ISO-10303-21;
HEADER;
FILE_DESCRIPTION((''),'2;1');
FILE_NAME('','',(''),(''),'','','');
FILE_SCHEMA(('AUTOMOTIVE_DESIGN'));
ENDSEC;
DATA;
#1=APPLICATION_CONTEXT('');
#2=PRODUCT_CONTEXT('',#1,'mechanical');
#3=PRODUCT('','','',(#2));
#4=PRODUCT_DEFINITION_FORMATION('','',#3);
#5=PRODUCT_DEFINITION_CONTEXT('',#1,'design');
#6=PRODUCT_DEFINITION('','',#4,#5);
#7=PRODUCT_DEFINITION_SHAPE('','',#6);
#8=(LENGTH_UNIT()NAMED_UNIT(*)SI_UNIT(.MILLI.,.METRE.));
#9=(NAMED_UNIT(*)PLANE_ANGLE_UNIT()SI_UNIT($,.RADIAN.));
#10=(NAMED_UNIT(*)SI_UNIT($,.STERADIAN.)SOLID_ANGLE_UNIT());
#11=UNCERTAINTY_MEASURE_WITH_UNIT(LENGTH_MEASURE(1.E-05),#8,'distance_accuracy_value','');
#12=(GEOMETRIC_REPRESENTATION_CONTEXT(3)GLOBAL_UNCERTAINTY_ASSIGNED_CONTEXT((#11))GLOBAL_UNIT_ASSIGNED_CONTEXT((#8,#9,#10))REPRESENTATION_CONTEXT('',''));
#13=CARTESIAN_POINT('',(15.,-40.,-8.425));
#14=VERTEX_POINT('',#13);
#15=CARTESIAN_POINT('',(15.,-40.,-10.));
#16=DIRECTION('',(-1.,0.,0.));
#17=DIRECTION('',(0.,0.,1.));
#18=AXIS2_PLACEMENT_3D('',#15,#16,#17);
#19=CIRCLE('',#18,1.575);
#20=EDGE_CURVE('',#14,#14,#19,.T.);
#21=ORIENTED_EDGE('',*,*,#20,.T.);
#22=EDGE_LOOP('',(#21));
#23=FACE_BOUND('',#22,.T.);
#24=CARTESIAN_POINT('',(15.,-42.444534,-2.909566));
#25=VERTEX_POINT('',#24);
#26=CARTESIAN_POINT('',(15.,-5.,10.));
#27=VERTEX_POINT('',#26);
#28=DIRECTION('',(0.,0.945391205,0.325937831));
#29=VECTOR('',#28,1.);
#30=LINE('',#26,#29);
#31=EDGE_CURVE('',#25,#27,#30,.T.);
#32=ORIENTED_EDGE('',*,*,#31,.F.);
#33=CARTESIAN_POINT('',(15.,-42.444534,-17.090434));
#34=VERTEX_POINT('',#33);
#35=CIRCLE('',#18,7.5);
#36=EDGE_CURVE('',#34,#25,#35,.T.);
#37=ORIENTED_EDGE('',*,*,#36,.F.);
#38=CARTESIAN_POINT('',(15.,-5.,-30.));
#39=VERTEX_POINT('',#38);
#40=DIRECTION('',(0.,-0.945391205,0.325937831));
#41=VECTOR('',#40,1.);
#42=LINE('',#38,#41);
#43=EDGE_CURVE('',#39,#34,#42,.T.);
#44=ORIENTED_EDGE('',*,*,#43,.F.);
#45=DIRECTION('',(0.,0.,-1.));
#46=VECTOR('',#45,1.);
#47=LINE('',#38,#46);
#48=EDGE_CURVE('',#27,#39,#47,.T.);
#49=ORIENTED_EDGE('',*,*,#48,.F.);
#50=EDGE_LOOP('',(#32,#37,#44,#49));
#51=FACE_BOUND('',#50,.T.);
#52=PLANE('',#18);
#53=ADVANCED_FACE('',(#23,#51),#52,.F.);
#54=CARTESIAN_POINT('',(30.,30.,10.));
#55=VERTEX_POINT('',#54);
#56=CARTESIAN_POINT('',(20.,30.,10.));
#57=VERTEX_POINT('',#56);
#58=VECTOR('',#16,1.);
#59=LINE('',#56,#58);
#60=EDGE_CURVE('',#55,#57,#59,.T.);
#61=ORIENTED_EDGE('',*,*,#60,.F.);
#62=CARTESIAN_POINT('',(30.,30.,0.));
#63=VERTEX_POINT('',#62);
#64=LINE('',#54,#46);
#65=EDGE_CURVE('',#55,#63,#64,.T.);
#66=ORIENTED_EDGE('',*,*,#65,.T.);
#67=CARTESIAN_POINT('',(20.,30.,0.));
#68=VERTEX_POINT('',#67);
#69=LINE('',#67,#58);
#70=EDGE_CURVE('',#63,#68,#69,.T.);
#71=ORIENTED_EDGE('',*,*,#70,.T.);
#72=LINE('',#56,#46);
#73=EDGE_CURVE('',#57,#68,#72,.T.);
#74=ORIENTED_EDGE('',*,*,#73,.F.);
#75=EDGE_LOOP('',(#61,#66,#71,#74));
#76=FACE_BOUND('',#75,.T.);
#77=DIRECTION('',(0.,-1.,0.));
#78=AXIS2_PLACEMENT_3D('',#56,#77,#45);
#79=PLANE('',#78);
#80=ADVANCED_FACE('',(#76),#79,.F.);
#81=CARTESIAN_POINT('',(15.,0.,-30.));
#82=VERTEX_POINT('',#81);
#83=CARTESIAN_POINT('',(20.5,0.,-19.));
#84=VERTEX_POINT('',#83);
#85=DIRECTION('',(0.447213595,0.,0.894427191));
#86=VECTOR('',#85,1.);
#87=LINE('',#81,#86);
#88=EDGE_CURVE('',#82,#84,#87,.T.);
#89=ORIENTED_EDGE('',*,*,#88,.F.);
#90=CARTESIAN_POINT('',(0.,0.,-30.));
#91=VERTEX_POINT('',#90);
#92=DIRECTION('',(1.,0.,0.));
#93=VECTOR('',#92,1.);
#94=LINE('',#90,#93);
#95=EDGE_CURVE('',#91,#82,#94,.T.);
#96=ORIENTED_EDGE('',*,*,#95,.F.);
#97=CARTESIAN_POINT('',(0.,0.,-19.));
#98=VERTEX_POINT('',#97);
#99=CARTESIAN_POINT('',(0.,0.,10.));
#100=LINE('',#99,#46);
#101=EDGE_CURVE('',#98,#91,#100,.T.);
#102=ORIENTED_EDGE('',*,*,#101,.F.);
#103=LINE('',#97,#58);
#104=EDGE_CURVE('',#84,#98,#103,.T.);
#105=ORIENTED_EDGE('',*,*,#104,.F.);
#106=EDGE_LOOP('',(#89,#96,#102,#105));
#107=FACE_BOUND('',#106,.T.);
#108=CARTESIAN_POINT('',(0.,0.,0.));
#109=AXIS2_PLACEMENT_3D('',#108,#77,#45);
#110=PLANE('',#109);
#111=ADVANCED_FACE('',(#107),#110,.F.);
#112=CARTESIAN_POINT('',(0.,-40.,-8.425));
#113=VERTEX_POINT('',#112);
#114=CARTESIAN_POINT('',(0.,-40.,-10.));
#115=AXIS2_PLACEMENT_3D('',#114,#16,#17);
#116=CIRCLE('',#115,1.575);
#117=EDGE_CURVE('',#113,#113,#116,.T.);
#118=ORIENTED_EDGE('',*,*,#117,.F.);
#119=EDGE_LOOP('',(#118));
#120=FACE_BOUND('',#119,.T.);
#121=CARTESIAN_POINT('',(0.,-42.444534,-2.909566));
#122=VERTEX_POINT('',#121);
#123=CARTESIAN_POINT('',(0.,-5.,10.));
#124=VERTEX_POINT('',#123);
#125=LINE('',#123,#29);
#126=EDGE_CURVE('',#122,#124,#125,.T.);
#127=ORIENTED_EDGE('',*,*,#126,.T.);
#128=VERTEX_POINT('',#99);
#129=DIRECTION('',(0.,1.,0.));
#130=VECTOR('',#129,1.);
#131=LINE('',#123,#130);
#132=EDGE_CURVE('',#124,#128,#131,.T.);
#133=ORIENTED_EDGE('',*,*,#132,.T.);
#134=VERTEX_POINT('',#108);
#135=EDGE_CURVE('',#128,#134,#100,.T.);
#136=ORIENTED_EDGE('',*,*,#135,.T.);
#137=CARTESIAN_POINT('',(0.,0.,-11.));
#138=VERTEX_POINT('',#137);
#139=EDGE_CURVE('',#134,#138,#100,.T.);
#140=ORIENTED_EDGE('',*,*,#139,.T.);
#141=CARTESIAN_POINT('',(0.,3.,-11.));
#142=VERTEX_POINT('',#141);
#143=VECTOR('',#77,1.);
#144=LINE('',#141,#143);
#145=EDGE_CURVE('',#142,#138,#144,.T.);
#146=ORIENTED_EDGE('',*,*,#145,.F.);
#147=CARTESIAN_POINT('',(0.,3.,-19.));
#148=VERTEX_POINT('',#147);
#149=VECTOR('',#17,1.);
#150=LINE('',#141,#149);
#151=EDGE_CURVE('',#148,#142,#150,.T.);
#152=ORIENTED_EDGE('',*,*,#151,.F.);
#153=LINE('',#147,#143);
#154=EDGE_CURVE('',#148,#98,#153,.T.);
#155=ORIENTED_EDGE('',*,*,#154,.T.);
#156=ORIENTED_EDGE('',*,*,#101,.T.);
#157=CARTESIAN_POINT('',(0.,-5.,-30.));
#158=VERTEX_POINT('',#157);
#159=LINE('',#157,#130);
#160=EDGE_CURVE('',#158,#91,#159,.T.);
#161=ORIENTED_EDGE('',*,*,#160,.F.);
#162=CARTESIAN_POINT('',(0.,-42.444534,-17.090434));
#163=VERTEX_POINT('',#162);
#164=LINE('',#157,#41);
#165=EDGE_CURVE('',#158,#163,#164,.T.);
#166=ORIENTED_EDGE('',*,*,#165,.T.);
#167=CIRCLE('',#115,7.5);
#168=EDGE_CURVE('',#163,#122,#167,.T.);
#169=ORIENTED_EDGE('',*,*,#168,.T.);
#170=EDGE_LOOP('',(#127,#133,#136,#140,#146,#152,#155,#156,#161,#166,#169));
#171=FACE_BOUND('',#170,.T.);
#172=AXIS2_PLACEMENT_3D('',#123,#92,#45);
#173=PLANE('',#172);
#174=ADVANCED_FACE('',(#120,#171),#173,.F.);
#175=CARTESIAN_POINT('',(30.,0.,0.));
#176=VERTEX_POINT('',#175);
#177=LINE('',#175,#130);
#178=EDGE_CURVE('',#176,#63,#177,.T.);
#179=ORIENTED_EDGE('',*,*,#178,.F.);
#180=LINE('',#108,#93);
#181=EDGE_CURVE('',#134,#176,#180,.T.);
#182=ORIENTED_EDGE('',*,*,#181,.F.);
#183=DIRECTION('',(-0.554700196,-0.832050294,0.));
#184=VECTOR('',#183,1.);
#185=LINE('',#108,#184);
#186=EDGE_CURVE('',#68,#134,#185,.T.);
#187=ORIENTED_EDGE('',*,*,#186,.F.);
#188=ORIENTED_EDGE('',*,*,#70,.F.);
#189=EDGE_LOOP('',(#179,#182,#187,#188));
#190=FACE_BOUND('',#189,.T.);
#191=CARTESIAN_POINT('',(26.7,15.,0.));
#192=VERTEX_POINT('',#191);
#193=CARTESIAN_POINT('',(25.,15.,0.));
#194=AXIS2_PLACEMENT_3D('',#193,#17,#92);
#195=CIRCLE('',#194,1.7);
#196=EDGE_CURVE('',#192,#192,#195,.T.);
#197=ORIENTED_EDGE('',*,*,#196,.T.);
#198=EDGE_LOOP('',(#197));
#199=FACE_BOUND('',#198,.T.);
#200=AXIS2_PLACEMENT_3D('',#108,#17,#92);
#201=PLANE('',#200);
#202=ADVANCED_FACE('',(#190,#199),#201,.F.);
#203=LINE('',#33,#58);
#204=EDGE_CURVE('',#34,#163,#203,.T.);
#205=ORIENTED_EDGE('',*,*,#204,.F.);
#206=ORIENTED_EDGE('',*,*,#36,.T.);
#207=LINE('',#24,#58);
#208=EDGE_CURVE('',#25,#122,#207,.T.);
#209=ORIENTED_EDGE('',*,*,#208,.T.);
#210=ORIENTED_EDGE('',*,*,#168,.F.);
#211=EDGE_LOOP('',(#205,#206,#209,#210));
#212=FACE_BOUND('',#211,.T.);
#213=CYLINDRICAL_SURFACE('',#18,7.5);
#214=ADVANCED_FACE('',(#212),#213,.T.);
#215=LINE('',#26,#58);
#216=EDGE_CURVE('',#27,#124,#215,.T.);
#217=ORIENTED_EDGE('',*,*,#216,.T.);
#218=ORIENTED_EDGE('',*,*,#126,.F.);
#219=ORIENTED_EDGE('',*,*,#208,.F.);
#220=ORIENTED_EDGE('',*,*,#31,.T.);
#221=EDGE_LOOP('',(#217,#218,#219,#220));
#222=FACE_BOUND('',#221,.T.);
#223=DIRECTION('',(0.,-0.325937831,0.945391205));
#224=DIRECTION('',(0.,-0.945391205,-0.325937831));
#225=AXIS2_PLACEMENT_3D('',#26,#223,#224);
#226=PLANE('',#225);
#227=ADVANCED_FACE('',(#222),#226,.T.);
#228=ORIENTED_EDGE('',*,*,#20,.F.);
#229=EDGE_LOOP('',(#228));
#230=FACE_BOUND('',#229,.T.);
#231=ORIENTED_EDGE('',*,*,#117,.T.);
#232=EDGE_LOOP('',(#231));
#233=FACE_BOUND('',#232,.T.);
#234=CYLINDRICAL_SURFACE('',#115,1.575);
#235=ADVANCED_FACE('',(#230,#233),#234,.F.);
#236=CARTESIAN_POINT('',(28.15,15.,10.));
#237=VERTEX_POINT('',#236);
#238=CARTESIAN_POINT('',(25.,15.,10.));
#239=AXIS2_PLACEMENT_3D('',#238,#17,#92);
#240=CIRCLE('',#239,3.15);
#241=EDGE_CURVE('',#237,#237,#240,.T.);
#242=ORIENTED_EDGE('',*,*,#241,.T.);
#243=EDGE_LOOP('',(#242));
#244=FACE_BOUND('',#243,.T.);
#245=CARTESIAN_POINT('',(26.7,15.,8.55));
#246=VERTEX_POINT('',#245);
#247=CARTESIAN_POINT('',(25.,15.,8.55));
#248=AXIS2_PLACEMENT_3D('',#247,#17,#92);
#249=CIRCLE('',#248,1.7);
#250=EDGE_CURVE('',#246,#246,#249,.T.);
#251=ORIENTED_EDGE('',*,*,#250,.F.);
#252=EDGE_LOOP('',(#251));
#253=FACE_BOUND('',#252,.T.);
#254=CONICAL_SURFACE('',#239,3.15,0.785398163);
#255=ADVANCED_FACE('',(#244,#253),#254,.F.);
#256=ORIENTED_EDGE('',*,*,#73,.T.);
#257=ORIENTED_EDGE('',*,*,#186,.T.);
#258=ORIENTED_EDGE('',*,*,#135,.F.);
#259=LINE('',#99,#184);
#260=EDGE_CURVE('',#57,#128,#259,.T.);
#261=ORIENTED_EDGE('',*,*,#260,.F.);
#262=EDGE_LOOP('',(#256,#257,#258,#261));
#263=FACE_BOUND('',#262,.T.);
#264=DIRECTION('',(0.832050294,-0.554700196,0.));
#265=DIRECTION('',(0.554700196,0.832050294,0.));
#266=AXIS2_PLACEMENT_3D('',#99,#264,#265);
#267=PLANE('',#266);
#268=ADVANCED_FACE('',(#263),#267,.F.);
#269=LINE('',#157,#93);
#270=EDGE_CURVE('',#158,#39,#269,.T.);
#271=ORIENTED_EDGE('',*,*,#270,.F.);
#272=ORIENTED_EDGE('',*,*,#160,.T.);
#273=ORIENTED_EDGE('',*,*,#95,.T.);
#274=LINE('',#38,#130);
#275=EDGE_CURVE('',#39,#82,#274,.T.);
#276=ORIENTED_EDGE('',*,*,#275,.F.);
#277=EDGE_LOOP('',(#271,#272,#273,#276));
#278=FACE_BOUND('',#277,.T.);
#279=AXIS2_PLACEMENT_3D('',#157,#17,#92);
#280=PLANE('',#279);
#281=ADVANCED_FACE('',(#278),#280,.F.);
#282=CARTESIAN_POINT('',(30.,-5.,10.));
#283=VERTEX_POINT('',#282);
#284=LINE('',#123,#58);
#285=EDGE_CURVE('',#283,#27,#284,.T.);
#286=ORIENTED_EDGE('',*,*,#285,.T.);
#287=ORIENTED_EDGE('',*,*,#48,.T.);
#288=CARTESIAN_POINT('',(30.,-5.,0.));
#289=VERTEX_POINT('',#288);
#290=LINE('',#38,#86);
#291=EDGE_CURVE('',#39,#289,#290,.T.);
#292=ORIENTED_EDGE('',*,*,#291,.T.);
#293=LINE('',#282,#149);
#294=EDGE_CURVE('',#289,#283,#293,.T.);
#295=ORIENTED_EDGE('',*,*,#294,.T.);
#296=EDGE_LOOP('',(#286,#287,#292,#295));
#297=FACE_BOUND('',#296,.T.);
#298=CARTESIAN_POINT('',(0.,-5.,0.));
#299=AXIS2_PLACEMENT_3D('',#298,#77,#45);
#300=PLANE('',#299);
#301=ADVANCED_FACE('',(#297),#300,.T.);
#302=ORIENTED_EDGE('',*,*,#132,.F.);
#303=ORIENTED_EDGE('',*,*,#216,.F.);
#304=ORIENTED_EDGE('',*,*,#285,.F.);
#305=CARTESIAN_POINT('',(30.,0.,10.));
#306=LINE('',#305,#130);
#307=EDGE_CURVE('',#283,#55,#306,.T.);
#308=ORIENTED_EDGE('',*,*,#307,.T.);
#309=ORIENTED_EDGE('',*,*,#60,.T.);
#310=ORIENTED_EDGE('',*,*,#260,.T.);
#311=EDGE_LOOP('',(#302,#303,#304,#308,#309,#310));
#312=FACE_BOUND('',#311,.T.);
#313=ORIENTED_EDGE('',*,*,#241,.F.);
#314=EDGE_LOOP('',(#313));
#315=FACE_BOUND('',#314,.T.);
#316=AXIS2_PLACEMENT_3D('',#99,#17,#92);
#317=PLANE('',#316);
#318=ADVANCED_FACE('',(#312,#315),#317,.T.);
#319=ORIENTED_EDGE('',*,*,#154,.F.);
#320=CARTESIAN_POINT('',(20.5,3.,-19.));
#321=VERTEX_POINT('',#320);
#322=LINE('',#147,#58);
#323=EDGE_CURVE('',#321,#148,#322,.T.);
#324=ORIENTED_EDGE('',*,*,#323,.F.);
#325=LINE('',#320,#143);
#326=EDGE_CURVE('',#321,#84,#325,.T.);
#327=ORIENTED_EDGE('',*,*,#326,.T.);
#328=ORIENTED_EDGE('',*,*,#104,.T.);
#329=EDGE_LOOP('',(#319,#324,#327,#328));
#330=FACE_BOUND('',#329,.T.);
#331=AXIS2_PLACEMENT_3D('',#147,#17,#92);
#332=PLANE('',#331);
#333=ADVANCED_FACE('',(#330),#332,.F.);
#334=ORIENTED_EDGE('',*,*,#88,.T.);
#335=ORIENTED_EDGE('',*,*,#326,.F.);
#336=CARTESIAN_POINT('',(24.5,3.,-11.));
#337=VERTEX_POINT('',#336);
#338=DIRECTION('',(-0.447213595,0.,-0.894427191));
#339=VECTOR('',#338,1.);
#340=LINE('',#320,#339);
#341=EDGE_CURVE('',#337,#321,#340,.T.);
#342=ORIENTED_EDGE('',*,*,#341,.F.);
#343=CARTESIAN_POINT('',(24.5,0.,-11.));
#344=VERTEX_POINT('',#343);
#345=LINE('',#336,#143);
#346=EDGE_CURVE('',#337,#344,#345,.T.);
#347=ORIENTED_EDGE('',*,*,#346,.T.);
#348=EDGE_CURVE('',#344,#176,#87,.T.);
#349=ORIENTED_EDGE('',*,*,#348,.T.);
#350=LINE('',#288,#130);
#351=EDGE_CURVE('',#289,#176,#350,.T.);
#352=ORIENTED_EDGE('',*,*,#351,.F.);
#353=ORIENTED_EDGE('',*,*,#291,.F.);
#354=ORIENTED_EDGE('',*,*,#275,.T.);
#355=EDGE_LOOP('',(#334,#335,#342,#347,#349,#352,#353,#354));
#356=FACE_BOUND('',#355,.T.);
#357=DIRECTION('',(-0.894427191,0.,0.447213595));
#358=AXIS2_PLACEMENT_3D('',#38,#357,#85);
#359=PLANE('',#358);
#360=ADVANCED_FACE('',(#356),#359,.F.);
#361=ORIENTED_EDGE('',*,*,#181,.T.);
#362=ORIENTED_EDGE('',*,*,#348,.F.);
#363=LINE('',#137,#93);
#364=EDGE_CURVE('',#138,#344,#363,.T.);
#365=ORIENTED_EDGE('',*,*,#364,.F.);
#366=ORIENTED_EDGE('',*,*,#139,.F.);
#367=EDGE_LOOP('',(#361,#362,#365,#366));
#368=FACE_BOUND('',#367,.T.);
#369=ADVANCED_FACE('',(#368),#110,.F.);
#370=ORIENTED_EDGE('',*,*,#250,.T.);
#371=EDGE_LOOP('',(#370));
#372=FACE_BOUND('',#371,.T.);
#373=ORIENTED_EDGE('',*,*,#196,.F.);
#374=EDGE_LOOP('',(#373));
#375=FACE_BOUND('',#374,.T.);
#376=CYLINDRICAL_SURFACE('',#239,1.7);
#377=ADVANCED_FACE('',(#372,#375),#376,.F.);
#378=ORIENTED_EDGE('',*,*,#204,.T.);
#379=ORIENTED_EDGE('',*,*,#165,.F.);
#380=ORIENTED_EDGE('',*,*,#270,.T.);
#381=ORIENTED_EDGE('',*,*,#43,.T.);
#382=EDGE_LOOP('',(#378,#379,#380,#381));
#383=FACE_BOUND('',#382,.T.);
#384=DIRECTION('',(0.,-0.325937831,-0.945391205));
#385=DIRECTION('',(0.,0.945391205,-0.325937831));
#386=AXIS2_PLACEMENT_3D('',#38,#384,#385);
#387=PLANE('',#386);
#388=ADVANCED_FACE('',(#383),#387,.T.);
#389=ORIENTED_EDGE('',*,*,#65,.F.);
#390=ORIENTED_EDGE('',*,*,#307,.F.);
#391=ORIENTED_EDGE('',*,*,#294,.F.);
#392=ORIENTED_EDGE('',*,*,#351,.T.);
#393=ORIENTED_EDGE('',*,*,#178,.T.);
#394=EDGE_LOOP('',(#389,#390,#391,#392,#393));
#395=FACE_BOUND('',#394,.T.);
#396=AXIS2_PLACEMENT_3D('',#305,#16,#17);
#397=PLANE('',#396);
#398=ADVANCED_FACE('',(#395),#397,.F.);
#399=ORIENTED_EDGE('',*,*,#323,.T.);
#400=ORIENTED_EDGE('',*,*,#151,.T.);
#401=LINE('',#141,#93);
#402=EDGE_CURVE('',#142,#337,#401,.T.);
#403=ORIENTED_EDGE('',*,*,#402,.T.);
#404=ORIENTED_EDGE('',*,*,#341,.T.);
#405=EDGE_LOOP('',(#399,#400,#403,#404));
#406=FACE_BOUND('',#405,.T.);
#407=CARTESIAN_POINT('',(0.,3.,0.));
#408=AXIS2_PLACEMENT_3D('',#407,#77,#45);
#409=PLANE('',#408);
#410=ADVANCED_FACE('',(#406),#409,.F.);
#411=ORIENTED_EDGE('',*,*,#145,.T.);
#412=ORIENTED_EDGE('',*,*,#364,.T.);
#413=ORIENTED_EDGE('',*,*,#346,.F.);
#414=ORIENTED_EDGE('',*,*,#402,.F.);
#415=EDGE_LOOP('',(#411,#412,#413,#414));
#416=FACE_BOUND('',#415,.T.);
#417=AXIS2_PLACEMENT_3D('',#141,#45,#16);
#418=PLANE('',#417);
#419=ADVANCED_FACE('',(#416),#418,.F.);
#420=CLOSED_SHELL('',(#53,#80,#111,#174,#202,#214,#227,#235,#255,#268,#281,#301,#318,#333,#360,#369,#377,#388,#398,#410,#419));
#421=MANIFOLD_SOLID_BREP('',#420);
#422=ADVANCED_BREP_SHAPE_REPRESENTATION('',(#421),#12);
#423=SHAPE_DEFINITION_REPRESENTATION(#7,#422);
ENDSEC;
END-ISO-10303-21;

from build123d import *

# Parameters (mm, degrees)
EXTRUDE_1_DEPTH              = 10
EXTRUDE_2_DEPTH              = 5
EXTRUDE_3_DEPTH              = 15
EXTRUDE_4_DEPTH              = 3
HOLE_WIZARD_M3_1_D           = 3.4
HOLE_WIZARD_M3_1_CSINK_D     = 6.3
HOLE_WIZARD_M3_1_CSINK_ANGLE = 90
HOLE_WIZARD_M3_1_2_D         = 3.15


with BuildPart() as part:
    # 草图1 → 凸台-拉伸1 (new body)
    with BuildSketch(Plane.XY):
        Polygon((0, 0), (20, 30), (30, 30), (30, 0), align=None)
    extrude(amount=EXTRUDE_1_DEPTH)

    # 草图2 → 凸台-拉伸2 (add)
    with BuildSketch(Plane.XZ):
        Polygon((0, 10), (30, 10), (30, 0), (15, -30), (0, -30), align=None)
    extrude(amount=EXTRUDE_2_DEPTH)

    # 草图3 → 凸台-拉伸3 (add)
    with BuildSketch(Plane.ZY):
        with BuildLine():
            Line((-30, -5), (-17.090434036, -42.444533735))
            ThreePointArc((-17.090434036, -42.444533735), (-10, -47.5), (-2.909565964, -42.444533735))
            Line((-2.909565964, -42.444533735), (10, -5))
            Line((10, -5), (-30, -5))
        make_face()
    extrude(amount=-EXTRUDE_3_DEPTH)

    # 草图4 → 凸台-拉伸4 (add)
    with BuildSketch(Plane(origin=(0, 0, 0), x_dir=(1, 0, 0), z_dir=(0, 1, 0))):
        Polygon((0, 11), (24.5, 11), (20.5, 19), (0, 19), align=None)
    extrude(amount=EXTRUDE_4_DEPTH)

    # Hole Wizard M3 _1 (through all)
    with Locations(Plane.XY.offset(10)):
        with Locations((25, 15)):
            CounterSinkHole(HOLE_WIZARD_M3_1_D / 2, HOLE_WIZARD_M3_1_CSINK_D / 2, counter_sink_angle=HOLE_WIZARD_M3_1_CSINK_ANGLE)

    # Hole Wizard M3 _1 2 (through all)
    with Locations(Plane.ZY):
        with Locations((-10, -40)):
            Hole(HOLE_WIZARD_M3_1_2_D / 2)


solid = part.part
